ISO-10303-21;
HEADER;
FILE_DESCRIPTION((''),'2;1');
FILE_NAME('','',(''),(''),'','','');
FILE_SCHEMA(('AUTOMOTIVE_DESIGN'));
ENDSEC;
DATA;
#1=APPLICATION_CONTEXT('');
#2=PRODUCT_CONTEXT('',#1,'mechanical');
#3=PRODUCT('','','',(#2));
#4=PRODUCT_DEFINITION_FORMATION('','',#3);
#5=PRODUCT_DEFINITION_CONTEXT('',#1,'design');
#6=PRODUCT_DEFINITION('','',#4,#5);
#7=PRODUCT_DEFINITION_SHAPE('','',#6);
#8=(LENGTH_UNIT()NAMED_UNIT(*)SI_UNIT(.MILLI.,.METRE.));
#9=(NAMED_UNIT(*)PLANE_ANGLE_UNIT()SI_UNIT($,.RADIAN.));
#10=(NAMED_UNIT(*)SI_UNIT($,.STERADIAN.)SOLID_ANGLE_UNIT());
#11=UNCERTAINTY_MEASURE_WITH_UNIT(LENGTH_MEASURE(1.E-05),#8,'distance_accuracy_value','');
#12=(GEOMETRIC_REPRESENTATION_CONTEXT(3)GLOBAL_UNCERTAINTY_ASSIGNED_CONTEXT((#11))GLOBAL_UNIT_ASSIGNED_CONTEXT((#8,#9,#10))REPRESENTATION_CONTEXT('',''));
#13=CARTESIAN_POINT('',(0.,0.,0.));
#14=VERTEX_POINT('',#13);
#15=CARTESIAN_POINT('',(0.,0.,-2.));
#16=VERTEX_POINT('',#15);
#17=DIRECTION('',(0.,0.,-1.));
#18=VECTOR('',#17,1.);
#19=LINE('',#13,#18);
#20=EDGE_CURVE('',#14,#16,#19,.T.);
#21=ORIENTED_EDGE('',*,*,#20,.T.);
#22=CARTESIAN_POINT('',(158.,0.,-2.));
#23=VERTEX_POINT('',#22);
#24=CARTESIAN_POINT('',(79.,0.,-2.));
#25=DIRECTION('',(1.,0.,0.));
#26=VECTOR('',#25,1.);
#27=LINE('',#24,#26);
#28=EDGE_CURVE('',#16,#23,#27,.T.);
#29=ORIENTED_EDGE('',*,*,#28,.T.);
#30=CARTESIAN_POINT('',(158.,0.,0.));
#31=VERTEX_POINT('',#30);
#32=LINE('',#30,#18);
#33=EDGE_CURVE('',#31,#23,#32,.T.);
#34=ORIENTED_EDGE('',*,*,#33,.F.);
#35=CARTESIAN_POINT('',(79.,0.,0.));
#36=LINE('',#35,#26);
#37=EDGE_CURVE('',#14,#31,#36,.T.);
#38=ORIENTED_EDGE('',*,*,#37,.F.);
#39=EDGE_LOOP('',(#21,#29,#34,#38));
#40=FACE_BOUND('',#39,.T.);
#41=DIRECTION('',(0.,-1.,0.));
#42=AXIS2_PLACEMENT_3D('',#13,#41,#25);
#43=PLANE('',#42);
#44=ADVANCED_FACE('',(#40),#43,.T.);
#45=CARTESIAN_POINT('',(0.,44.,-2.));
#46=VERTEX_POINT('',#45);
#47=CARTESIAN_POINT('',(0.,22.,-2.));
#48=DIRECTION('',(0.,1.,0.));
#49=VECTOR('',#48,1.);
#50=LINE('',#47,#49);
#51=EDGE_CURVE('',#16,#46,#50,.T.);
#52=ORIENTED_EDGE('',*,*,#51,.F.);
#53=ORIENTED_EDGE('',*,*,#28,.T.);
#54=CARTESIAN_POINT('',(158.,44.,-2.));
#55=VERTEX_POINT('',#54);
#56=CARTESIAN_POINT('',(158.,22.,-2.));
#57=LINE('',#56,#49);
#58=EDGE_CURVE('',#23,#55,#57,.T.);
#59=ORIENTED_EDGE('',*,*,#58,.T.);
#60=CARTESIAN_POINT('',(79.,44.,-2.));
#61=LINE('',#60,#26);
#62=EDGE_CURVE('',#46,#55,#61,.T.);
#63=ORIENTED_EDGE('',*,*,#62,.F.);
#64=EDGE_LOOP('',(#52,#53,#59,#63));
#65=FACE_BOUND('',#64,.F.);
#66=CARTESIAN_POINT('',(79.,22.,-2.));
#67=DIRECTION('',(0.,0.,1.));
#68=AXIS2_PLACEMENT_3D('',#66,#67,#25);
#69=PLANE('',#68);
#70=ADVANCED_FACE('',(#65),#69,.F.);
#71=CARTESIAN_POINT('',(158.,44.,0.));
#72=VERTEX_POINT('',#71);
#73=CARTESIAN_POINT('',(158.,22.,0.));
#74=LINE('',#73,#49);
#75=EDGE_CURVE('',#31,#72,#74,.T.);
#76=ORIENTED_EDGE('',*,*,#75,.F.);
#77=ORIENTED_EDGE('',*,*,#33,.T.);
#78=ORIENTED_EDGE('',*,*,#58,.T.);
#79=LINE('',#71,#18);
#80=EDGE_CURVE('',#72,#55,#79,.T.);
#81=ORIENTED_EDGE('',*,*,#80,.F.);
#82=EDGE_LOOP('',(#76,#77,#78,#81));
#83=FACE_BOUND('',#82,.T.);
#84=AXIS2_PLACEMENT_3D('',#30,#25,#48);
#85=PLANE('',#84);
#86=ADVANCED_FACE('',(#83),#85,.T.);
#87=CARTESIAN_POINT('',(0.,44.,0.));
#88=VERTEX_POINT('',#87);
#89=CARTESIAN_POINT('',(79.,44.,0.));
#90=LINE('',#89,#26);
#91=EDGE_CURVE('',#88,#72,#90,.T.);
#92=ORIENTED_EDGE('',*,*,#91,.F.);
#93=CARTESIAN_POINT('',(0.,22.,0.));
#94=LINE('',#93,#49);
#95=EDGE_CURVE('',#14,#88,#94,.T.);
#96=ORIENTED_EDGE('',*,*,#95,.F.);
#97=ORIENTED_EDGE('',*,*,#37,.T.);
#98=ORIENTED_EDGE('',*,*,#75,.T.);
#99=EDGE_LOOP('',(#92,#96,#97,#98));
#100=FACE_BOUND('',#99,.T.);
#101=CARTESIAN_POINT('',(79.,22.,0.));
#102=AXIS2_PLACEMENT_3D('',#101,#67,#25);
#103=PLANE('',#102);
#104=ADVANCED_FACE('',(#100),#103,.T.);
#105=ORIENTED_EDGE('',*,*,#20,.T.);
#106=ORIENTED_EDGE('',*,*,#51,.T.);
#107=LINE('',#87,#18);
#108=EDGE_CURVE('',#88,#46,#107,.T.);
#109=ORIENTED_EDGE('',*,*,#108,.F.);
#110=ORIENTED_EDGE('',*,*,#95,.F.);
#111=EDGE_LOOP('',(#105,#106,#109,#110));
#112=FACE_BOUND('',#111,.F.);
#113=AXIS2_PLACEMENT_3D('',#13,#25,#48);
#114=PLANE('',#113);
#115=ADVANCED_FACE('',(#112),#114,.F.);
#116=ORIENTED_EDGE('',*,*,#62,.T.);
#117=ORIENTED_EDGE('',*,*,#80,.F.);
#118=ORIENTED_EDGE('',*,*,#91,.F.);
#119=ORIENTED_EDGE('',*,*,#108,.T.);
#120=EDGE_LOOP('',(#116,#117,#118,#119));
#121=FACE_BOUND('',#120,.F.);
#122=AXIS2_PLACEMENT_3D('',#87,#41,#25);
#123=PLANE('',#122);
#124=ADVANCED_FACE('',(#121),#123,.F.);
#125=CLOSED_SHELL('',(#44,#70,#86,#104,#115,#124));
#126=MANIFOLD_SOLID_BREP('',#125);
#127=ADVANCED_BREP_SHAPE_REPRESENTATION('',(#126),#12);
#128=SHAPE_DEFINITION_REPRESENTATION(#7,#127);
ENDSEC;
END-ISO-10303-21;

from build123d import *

# Parameters (mm, degrees)
SKETCH004_W = 158
SKETCH004_H = 44
PAD_DEPTH   = 2


with BuildPart() as part:
    # Sketch004 → Pad (new body)
    with BuildSketch(Plane.XY):
        with Locations((79, 22)):
            Rectangle(SKETCH004_W, SKETCH004_H)
    extrude(amount=-PAD_DEPTH)


solid = part.part
